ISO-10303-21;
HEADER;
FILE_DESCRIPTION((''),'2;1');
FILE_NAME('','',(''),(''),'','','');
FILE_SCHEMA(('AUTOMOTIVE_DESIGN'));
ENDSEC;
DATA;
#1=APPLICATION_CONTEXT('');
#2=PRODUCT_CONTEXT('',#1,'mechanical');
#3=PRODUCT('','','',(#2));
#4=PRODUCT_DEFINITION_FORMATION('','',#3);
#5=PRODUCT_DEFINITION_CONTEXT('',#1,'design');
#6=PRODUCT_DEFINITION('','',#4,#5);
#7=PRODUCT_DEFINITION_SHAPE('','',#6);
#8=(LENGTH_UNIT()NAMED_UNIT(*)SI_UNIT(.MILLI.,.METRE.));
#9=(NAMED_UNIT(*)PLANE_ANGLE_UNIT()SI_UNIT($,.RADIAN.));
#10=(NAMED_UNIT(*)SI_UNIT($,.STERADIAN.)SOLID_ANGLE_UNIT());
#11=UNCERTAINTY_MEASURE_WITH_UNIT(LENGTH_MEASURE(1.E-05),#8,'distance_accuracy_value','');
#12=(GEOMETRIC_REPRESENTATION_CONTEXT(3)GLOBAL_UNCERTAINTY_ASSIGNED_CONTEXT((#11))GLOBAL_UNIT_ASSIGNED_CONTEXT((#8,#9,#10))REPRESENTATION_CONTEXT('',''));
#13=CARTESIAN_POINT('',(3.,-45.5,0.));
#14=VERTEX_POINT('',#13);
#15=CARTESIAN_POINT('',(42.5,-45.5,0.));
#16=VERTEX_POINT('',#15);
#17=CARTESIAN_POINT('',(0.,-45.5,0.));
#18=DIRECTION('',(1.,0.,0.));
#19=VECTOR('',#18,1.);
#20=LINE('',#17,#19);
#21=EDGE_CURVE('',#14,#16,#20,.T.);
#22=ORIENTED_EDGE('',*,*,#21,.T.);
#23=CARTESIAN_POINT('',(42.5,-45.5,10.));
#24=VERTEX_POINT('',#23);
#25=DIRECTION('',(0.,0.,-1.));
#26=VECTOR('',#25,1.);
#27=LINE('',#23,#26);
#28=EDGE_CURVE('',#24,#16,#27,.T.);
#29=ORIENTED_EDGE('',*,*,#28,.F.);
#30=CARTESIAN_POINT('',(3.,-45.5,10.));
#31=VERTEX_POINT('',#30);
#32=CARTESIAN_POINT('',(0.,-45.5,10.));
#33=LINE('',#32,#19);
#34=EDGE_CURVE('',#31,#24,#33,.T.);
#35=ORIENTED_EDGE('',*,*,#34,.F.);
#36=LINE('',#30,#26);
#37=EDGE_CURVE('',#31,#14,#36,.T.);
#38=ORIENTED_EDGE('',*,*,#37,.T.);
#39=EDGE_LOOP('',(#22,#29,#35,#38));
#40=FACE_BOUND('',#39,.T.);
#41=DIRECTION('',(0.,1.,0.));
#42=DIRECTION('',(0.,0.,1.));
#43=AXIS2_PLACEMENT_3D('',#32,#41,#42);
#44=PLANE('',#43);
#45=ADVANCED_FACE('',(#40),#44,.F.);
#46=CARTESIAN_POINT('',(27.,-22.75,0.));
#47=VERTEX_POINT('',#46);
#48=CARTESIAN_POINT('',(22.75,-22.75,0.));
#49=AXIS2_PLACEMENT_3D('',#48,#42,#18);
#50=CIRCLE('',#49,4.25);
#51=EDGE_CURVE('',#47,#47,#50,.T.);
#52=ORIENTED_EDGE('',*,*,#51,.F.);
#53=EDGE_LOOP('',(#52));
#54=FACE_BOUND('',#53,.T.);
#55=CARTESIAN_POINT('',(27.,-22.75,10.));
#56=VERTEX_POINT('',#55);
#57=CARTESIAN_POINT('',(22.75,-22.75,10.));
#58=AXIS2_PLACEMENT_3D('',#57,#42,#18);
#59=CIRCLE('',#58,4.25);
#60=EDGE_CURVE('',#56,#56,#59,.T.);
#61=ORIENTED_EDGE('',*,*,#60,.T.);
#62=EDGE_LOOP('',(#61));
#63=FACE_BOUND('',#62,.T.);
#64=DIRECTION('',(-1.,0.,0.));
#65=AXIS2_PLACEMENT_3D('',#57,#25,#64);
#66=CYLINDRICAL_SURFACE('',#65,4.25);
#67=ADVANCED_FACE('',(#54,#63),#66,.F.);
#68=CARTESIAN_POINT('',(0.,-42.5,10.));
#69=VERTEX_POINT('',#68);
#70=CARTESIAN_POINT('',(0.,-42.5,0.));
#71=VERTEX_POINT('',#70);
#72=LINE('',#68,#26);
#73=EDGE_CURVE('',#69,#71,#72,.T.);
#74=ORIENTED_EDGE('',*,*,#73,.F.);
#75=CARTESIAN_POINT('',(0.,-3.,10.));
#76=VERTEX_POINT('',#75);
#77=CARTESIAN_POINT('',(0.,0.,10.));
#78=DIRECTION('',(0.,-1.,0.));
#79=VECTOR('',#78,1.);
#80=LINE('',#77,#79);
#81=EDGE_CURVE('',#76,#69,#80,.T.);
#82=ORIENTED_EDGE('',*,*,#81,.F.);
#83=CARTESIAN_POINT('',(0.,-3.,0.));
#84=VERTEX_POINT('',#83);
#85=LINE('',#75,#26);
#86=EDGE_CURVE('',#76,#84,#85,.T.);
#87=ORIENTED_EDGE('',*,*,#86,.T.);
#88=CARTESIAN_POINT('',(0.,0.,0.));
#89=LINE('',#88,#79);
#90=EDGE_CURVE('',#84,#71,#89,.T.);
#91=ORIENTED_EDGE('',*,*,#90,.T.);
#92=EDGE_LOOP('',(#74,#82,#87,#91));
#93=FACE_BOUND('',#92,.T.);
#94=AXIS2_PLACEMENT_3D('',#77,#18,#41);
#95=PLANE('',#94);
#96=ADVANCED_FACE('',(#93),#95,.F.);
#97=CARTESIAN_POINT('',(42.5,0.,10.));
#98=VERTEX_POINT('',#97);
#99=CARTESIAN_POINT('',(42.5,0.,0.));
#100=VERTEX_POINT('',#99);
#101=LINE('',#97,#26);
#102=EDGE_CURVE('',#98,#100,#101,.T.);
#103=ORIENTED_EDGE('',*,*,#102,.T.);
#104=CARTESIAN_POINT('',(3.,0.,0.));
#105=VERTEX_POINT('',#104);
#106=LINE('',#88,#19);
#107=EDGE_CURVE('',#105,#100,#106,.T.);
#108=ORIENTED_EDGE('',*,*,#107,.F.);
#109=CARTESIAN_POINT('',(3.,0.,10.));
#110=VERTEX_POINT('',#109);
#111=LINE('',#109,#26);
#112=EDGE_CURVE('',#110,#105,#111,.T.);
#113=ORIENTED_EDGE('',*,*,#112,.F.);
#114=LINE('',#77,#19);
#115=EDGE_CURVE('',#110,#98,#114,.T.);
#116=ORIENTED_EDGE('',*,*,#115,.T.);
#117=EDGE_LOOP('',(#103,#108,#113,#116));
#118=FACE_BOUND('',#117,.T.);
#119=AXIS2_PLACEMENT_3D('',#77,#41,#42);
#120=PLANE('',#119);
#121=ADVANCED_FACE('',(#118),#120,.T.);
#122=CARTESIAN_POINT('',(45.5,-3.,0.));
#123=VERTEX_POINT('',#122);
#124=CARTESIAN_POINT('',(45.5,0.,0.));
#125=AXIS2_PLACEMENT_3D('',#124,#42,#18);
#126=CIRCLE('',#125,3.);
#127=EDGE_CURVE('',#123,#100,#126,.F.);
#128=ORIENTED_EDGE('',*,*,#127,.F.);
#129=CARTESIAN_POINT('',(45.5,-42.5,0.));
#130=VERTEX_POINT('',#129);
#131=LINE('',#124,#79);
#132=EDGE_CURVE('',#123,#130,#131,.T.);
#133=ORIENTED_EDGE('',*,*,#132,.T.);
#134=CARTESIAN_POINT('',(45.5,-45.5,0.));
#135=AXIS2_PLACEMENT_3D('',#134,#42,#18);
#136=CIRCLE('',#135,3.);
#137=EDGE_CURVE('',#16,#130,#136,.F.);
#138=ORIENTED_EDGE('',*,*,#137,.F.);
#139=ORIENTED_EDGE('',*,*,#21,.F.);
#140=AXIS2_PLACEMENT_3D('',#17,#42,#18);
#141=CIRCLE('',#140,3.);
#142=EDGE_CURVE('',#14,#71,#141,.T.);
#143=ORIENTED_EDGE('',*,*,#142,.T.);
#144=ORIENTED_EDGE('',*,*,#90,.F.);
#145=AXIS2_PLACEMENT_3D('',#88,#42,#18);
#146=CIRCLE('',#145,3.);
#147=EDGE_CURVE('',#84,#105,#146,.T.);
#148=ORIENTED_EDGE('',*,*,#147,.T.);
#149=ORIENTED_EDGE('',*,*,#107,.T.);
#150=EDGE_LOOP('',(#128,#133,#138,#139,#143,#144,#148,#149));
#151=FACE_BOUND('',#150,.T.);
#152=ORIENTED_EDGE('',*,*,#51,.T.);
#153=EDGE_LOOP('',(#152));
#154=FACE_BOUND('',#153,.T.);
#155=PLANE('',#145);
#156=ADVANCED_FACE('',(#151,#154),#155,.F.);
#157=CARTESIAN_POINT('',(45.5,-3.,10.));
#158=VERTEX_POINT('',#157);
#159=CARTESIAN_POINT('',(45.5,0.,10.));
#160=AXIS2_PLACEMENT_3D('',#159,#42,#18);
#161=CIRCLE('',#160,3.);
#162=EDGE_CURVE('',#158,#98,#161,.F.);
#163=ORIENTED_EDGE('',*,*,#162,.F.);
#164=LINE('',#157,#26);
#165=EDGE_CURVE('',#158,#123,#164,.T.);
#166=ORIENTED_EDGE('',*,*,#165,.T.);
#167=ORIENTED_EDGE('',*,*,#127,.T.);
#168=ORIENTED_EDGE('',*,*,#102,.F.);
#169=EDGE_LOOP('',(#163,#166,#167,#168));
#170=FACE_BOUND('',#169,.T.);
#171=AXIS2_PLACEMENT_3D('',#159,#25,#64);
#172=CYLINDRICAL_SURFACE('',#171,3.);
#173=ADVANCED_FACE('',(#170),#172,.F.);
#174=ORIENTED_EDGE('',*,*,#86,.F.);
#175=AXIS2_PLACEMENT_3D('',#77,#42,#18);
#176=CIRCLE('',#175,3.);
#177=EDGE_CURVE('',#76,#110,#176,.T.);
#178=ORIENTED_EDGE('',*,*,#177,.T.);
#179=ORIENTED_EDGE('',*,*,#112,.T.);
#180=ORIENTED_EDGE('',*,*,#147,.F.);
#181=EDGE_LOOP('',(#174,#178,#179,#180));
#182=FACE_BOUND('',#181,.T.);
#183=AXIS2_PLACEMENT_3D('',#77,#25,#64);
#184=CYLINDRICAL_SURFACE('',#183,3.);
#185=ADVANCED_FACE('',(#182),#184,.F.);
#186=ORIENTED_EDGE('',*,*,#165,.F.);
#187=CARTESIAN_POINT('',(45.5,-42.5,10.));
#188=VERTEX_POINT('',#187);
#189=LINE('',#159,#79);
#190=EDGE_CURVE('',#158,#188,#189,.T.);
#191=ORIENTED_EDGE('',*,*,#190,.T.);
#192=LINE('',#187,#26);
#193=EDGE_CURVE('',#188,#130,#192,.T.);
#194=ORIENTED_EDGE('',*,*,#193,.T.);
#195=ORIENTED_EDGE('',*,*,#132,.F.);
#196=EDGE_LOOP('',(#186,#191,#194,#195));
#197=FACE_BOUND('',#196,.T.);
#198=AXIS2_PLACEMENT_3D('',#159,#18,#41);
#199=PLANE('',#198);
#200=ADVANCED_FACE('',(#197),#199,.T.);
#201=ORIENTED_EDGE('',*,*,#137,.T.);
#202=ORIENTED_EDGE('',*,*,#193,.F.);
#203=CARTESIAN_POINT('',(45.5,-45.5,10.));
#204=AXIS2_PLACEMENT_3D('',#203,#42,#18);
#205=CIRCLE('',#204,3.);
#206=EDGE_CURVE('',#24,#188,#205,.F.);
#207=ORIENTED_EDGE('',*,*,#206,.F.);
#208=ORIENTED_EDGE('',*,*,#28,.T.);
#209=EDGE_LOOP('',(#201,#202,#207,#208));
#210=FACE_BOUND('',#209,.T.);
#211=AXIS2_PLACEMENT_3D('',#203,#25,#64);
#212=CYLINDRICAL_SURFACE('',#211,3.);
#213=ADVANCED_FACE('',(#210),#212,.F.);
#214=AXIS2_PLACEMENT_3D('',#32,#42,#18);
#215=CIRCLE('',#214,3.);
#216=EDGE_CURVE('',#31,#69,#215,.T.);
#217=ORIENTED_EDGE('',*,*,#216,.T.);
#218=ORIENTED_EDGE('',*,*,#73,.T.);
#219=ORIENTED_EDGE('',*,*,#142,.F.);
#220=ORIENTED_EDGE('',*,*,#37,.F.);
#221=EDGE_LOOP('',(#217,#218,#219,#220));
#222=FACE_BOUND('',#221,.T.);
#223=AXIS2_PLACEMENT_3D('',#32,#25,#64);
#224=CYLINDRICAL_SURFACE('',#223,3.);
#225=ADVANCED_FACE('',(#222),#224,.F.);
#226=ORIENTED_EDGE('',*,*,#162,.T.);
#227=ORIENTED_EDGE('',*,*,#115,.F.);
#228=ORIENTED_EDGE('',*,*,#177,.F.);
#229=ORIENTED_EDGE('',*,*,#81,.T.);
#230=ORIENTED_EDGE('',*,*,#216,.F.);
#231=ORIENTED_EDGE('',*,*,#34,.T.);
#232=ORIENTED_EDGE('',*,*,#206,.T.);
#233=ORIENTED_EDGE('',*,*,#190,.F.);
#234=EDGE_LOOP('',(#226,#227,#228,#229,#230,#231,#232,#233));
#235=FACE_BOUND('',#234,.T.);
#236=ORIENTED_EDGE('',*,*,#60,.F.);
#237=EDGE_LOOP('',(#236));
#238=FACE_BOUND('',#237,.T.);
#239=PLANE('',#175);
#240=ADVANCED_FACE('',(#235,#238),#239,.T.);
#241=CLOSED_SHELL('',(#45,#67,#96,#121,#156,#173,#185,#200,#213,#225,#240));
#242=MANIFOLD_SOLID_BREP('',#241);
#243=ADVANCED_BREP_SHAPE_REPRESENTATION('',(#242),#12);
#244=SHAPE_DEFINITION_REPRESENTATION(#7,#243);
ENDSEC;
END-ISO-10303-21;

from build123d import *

# Parameters (mm, degrees)
ESQUISSE1_R        = 4.25
BOSS_EXTRU_1_DEPTH = 10


with BuildPart() as part:
    # Esquisse1 → Boss.-Extru.1 (new body)
    with BuildSketch(Plane.XY):
        with BuildLine():
            Line((42.5, 0), (3, 0))
            ThreePointArc((3, 0), (2.121320344, -2.121320344), (0, -3))
            Line((0, -3), (0, -42.5))
            ThreePointArc((0, -42.5), (2.121320344, -43.378679656), (3, -45.5))
            Line((3, -45.5), (42.5, -45.5))
            ThreePointArc((42.5, -45.5), (43.378679656, -43.378679656), (45.5, -42.5))
            Line((45.5, -42.5), (45.5, -3))
            ThreePointArc((45.5, -3), (43.378679656, -2.121320344), (42.5, 0))
        make_face()
        with Locations((22.75, -22.75)):
            Circle(ESQUISSE1_R, mode=Mode.SUBTRACT)
    extrude(amount=BOSS_EXTRU_1_DEPTH)


solid = part.part
